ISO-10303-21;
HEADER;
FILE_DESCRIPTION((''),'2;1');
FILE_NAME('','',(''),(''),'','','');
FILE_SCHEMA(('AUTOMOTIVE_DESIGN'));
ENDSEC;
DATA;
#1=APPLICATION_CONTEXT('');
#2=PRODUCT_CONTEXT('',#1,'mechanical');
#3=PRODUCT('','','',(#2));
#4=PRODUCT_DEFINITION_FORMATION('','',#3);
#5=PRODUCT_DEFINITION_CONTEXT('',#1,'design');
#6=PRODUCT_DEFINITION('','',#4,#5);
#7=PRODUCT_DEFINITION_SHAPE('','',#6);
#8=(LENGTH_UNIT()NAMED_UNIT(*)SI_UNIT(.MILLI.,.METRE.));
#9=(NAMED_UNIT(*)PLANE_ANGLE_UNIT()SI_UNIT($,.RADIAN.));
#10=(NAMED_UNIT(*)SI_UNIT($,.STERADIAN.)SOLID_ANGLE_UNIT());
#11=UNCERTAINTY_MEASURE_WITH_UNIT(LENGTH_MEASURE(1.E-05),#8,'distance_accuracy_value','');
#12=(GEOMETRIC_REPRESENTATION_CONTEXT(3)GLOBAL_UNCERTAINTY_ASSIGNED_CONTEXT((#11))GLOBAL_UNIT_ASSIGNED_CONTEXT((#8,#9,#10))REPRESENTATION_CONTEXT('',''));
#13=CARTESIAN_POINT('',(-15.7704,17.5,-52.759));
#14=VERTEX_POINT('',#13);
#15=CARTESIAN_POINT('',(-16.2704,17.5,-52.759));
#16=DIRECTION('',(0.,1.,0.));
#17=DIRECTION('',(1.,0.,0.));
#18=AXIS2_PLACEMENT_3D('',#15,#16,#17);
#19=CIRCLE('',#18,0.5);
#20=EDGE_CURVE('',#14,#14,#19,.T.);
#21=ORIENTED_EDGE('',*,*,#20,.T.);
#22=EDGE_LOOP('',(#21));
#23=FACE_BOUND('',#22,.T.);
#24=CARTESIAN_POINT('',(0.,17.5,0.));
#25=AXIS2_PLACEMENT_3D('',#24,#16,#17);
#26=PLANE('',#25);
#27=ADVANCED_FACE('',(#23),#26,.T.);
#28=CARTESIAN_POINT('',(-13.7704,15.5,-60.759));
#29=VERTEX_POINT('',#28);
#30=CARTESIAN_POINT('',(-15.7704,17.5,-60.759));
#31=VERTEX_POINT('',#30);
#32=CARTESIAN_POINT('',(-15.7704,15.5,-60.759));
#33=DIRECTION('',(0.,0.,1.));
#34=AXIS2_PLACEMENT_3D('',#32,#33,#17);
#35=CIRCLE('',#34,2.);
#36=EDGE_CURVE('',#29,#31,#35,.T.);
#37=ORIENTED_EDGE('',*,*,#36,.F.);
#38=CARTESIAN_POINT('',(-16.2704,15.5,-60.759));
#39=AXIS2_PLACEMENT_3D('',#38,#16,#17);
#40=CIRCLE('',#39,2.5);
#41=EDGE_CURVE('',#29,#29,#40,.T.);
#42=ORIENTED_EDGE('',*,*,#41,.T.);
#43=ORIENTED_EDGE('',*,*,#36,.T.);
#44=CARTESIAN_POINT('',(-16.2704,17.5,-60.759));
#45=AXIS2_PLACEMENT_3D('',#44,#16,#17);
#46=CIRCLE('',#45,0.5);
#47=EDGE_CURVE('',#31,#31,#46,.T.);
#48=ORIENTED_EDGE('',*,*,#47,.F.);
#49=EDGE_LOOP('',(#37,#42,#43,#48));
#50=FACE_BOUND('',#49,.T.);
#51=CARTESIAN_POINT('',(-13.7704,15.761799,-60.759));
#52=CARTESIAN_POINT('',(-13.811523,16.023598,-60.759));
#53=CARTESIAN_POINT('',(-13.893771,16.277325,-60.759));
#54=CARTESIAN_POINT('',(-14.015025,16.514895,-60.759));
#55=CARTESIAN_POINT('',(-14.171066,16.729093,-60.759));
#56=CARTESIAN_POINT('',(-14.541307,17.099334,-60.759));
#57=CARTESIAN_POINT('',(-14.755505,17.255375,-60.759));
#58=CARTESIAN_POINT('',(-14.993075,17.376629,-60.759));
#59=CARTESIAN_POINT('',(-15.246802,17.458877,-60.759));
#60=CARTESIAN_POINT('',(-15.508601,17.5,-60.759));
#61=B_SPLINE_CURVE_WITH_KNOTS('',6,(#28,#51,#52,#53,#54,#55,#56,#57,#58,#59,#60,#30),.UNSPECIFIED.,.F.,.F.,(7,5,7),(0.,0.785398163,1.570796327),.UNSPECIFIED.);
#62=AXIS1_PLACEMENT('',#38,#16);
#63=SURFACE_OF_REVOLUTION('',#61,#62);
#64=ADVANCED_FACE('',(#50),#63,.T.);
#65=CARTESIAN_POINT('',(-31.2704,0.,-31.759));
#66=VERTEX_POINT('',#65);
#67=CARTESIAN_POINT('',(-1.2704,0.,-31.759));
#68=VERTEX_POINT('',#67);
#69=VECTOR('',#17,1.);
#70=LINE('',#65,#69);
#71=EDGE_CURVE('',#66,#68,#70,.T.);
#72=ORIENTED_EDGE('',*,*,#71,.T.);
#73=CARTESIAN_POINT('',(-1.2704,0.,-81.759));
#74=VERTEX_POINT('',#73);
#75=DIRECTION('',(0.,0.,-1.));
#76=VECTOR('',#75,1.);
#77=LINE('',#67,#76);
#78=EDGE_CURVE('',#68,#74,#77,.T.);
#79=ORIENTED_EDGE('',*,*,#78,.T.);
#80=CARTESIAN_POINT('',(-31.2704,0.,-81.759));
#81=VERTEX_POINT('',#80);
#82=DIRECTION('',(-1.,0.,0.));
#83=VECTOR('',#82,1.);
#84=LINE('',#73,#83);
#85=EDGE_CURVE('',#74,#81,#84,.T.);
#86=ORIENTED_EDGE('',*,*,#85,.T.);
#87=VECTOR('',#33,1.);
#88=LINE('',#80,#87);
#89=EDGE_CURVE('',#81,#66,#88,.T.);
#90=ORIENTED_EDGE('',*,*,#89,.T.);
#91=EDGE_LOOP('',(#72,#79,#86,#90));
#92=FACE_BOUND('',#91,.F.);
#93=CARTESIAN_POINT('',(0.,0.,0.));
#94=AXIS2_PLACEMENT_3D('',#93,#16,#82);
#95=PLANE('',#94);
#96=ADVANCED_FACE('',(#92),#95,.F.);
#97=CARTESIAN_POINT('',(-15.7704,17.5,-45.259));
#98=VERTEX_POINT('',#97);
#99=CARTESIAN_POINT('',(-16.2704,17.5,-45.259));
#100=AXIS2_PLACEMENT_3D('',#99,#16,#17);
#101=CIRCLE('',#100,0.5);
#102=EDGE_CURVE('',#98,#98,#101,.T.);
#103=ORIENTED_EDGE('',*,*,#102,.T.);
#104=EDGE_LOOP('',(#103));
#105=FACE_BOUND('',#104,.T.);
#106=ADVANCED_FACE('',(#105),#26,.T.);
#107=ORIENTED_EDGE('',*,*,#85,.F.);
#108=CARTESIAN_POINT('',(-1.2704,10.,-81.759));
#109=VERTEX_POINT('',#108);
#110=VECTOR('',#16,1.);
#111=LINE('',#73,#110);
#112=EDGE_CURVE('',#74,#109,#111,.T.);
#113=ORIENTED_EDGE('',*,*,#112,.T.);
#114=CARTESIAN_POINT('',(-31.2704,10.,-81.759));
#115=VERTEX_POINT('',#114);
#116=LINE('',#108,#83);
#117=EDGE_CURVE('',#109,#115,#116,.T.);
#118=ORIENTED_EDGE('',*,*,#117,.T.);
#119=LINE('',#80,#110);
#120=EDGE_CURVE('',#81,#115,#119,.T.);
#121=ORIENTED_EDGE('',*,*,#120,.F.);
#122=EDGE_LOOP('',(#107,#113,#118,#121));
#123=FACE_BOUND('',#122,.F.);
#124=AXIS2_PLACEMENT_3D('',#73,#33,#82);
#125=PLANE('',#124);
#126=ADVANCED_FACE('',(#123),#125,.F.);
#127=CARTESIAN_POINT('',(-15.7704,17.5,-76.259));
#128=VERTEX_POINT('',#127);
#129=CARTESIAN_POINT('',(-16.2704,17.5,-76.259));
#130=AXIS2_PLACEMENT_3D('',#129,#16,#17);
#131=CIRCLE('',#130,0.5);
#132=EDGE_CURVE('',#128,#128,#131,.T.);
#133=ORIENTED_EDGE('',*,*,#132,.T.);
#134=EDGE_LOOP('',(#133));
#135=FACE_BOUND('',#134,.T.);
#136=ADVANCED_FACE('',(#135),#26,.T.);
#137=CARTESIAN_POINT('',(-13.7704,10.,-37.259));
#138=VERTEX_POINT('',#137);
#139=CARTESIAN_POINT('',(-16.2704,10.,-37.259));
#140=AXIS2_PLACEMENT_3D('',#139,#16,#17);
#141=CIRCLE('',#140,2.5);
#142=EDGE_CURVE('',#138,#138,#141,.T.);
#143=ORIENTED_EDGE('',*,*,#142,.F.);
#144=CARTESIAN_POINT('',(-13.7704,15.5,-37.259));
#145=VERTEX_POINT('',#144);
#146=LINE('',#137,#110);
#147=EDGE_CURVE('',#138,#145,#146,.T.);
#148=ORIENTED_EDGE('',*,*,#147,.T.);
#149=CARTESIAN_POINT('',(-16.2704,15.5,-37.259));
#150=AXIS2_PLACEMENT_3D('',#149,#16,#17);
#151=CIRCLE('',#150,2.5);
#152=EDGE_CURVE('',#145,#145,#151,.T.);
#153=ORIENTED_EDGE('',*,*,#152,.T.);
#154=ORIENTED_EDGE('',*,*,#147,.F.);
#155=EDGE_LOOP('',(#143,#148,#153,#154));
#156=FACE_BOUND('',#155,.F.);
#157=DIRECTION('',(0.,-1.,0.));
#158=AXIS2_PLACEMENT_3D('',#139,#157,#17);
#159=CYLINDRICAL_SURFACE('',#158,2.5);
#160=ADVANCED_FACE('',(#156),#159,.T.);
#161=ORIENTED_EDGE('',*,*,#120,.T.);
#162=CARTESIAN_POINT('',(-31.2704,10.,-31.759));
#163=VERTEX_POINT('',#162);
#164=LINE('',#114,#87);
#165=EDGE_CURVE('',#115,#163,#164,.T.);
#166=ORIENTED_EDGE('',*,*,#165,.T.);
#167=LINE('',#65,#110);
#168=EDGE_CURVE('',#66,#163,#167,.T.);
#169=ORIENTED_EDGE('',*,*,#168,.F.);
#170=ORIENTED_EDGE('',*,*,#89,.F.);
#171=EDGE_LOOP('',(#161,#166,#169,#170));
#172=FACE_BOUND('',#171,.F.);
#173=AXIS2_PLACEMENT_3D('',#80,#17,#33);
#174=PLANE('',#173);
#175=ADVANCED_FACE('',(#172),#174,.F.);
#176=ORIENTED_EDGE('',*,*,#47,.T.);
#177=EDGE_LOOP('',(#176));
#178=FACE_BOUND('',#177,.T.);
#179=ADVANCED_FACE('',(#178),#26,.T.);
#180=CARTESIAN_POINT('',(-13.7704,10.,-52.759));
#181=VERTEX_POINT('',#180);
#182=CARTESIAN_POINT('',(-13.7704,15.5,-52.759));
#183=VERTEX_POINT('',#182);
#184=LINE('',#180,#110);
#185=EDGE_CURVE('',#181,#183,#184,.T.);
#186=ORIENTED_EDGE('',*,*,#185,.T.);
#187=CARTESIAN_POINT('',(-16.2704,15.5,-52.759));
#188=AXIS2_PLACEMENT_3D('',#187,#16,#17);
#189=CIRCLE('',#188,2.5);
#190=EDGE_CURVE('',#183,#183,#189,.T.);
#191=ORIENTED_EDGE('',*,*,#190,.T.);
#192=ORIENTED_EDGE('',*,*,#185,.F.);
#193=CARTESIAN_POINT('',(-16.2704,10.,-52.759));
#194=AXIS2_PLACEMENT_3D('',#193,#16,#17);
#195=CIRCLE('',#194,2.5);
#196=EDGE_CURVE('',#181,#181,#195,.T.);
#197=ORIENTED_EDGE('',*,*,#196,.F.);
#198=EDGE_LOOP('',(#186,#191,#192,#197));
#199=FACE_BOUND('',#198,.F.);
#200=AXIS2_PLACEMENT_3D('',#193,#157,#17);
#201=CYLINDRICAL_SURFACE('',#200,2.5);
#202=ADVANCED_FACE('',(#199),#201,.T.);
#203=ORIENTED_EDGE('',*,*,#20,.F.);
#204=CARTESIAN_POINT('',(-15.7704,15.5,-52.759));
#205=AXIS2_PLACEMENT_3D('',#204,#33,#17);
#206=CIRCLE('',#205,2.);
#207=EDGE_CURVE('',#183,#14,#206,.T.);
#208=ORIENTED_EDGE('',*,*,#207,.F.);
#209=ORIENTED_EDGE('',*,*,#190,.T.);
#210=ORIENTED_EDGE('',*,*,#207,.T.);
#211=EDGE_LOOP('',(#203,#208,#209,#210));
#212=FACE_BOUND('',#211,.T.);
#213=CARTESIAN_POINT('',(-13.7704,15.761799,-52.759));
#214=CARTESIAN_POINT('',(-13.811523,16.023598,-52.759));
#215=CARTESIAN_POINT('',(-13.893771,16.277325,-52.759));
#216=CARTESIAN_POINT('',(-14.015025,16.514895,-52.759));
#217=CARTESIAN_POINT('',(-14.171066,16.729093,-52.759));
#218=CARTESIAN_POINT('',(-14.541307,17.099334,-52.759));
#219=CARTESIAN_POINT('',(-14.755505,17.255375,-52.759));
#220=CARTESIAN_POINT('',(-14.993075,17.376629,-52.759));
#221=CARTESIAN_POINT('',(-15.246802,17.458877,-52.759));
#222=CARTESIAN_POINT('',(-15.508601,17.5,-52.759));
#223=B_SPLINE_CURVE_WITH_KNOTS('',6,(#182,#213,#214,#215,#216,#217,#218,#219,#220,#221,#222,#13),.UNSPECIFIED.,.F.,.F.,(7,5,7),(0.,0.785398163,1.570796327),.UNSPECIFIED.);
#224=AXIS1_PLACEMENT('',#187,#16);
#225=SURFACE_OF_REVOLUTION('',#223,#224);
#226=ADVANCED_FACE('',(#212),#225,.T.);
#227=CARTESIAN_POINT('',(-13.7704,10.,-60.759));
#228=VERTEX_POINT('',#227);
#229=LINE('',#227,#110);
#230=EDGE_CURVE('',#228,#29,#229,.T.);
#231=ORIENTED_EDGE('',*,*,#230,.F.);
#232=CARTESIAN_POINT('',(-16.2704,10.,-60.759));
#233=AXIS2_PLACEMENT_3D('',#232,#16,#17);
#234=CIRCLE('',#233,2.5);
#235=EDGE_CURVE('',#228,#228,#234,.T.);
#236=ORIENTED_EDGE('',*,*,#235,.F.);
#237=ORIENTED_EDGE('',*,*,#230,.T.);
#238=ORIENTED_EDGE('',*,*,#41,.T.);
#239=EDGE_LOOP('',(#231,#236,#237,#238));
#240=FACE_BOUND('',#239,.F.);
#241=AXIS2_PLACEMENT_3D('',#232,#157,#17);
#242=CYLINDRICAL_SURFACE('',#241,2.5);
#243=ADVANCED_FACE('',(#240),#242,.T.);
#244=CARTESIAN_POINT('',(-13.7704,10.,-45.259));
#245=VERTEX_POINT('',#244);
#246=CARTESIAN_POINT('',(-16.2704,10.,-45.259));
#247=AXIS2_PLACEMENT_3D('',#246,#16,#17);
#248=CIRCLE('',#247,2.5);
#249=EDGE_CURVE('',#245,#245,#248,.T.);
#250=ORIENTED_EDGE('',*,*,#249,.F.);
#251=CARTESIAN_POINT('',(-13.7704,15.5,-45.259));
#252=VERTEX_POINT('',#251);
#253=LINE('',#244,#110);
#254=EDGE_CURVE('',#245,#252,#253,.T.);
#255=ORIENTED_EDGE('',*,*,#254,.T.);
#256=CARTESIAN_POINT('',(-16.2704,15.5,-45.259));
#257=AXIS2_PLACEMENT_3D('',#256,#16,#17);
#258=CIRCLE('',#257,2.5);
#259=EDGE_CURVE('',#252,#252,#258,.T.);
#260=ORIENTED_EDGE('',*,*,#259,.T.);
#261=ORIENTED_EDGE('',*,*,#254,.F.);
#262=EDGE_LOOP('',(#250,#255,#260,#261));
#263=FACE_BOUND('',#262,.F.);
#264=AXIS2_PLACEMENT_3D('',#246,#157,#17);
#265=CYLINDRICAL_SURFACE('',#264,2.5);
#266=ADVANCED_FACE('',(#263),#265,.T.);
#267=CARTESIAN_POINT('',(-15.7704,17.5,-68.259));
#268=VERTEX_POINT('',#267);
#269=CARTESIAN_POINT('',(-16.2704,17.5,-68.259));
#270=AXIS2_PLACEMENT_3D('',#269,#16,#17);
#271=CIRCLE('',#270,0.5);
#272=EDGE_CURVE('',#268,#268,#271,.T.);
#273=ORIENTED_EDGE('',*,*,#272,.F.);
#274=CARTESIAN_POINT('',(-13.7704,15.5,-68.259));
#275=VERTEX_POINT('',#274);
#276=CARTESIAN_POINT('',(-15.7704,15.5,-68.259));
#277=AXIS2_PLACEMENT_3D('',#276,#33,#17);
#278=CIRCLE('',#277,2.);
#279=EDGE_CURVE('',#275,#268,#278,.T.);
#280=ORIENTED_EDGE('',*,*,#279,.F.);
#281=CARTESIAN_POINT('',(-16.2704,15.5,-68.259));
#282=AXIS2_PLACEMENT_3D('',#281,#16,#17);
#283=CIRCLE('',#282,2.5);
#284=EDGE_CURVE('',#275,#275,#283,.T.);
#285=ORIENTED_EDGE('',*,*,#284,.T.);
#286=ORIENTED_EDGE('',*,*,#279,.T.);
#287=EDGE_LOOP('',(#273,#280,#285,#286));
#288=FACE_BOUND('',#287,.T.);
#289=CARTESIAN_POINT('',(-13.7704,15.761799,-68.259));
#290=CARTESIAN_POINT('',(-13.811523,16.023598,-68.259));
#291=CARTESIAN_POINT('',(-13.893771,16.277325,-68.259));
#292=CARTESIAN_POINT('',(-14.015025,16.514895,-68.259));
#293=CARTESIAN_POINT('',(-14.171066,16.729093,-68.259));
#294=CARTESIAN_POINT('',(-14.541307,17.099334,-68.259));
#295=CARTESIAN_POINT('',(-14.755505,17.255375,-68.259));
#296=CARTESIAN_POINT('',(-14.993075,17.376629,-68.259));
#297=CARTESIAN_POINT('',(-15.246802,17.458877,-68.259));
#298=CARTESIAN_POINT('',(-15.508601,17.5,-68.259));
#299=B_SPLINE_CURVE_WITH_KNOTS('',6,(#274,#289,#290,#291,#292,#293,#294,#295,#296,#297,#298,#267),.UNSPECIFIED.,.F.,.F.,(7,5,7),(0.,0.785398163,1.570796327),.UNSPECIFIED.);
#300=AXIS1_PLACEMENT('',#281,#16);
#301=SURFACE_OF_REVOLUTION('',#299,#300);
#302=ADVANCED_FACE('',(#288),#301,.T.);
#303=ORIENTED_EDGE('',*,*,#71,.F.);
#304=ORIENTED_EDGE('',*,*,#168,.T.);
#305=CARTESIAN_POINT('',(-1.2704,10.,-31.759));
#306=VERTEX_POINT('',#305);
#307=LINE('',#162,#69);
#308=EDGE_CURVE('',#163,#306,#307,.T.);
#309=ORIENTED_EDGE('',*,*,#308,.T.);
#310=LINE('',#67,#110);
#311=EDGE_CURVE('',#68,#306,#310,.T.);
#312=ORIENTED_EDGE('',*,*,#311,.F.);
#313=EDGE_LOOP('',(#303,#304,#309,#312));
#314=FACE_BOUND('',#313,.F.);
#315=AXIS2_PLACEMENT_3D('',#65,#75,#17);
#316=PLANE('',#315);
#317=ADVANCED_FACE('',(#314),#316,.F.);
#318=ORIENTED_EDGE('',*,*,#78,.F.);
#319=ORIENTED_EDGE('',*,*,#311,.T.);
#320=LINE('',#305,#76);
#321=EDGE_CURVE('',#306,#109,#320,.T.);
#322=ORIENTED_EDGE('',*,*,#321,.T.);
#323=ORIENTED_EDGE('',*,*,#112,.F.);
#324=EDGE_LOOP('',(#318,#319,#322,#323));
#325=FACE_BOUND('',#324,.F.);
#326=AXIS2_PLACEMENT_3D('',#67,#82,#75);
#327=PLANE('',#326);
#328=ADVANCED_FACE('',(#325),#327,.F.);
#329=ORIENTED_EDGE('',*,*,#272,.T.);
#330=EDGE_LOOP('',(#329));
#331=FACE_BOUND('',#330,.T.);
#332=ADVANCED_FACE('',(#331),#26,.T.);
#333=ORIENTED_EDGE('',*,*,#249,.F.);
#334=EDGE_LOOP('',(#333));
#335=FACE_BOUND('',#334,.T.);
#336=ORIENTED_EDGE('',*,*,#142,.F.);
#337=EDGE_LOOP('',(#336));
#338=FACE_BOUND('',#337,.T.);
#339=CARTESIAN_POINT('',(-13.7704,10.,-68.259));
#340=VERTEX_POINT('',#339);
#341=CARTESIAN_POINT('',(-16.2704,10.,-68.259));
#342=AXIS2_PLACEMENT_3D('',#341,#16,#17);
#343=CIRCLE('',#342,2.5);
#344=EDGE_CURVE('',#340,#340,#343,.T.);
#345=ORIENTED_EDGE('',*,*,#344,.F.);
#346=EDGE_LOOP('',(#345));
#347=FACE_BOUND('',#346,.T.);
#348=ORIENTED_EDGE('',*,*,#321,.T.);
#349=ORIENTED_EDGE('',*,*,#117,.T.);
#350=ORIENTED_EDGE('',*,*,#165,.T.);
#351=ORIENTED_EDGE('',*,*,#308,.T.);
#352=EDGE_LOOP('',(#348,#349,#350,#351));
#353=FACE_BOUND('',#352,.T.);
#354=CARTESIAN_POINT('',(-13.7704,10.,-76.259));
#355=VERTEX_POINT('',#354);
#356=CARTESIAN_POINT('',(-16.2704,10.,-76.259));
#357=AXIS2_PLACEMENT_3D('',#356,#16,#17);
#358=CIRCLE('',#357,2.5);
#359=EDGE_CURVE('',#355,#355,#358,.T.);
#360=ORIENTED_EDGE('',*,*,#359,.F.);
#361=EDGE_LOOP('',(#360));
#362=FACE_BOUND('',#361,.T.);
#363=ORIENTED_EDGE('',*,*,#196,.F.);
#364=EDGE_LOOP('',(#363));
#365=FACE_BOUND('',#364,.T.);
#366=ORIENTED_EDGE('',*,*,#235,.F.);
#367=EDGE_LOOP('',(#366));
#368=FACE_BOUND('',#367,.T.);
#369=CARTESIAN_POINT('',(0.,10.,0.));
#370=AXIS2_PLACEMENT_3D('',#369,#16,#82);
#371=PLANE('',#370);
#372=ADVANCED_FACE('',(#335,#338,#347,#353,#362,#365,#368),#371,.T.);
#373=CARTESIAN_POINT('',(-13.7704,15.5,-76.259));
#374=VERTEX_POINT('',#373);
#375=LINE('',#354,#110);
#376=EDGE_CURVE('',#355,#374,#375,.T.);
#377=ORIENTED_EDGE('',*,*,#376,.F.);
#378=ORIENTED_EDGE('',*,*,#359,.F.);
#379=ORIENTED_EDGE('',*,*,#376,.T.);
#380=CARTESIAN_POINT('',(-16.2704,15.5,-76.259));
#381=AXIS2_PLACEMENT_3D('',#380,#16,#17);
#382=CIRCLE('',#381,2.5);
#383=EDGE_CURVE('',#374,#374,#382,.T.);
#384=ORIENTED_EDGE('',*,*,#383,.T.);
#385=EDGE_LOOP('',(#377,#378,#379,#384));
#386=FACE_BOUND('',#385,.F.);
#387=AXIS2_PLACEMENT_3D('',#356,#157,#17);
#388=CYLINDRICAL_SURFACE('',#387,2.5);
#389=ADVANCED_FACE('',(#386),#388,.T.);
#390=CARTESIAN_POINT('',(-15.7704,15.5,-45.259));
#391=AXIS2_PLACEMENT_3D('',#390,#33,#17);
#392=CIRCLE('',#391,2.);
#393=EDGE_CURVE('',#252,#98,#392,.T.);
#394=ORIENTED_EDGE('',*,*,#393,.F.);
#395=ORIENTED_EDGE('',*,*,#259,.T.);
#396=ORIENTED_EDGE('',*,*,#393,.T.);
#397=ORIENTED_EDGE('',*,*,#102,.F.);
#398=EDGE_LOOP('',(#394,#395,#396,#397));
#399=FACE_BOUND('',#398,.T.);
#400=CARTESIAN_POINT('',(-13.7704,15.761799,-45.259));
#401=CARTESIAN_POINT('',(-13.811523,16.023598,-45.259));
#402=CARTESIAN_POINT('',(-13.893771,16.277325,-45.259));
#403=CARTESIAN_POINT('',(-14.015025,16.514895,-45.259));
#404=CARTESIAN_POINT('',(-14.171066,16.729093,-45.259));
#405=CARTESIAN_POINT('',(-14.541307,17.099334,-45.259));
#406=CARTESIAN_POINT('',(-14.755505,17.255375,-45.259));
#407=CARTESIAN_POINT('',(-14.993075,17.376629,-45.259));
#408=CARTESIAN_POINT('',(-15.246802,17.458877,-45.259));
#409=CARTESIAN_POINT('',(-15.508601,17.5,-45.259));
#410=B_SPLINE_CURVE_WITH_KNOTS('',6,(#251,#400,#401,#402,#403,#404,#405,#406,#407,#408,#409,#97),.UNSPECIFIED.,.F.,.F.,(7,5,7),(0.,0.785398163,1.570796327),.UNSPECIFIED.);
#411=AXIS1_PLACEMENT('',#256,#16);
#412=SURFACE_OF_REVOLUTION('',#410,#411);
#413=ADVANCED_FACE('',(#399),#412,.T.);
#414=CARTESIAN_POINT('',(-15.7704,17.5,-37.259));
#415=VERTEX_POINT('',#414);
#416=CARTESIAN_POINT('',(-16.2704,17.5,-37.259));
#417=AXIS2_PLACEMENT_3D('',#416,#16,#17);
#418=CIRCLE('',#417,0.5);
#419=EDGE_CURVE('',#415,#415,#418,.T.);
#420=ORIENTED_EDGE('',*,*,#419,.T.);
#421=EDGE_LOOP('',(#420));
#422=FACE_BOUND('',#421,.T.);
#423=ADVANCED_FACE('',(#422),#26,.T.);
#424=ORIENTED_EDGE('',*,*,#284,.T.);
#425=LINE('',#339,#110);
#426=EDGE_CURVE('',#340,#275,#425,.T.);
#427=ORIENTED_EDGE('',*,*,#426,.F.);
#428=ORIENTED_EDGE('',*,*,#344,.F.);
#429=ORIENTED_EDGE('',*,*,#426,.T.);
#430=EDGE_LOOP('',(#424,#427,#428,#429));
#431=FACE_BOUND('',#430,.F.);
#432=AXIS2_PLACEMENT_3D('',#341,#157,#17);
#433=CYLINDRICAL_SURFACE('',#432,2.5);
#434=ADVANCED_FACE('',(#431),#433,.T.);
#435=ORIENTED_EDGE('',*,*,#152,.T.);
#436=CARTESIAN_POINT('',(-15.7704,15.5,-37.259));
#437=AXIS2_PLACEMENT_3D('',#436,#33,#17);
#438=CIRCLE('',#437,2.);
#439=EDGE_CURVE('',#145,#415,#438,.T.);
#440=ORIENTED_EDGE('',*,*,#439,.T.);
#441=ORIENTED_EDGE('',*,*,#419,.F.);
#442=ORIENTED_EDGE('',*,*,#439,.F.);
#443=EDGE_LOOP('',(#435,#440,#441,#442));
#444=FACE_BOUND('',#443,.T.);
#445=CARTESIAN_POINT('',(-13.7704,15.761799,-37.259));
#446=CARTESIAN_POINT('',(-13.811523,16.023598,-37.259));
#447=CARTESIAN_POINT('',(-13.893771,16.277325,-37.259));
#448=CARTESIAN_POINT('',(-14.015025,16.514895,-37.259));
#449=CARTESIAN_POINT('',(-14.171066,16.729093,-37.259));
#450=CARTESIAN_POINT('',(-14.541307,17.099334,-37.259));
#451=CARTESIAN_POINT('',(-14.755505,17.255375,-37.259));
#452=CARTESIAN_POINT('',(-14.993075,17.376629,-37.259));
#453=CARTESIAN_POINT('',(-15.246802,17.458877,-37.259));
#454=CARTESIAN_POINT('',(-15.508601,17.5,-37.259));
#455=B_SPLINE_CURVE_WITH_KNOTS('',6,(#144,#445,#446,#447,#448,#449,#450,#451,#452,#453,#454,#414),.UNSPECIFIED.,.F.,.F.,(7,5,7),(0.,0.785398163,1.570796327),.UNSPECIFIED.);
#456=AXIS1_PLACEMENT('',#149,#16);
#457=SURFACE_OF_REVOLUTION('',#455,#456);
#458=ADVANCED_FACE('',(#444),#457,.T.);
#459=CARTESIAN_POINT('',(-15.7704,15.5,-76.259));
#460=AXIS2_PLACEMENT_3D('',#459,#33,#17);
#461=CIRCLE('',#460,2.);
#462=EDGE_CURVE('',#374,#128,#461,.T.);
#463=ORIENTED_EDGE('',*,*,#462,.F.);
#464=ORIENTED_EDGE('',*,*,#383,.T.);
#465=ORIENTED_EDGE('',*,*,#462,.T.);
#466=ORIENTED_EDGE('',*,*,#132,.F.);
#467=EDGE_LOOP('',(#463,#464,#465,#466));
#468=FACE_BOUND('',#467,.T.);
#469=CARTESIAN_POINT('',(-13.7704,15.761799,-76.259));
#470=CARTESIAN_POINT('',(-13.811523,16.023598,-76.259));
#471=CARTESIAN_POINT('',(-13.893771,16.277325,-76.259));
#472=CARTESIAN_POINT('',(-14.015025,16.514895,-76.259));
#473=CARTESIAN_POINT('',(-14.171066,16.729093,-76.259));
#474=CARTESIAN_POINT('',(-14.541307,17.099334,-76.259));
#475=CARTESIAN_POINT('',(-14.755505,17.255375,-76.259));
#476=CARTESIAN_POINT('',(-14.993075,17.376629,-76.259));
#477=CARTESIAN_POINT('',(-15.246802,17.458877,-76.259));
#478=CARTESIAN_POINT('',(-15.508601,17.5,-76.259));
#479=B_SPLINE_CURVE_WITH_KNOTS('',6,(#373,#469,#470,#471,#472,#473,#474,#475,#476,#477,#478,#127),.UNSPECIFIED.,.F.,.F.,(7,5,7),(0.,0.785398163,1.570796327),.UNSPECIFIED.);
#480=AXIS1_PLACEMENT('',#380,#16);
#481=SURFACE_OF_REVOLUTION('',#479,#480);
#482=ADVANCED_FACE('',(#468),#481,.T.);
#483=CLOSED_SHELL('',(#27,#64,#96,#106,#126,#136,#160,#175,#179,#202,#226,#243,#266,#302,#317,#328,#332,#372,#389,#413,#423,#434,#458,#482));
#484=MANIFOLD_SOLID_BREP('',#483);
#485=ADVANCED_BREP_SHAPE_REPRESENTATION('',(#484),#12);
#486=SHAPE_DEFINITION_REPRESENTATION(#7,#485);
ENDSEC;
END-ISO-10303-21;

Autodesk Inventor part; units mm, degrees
ref_plane "YZ Plane" through (0, 0, 0) normal (1, 0, 0) x (0, 1, 0)
ref_plane "XZ Plane" through (0, 0, 0) normal (0, 1, 0) x (-1, 0, 0)
ref_plane "XY Plane" through (0, 0, 0) normal (0, 0, 1) x (1, 0, 0)
sketch "Skizze1" plane through (0, 0, 0) normal (0, 1, 0) x (-1, 0, 0)
  line L0 (31.2704, -31.759) -> (1.2704, -31.759)
  line L1 (1.2704, -31.759) -> (1.2704, -81.759)
  line L2 (1.2704, -81.759) -> (31.2704, -81.759)
  line L3 (31.2704, -81.759) -> (31.2704, -31.759)
  point P0 (0, 0)
  dimension "d0" = 50
  dimension "d1" = 30
extrude "Extrusion1" add sketch "Skizze1" along normal blind 10
sketch "Skizze2" plane through (0, 10, 0) normal (0, 1, 0) x (1, 0, 0)
  circle A0 centre (-16.2704, 37.259) radius 2.5
  circle A1 centre (-16.2704, 60.759) radius 2.5
  circle A2 centre (-16.2704, 76.259) radius 2.5
  circle A3 centre (-16.2704, 45.259) radius 2.5
  circle A4 centre (-16.2704, 52.759) radius 2.5
  circle A5 centre (-16.2704, 68.259) radius 2.5
  line L0 (-31.2704, 81.759) -> (-31.2704, 31.759) projected
  line L1 (-31.2704, 31.759) -> (-1.2704, 31.759) projected
  line L2 (-1.2704, 81.759) -> (-31.2704, 81.759) projected
  point P0 (0, 0)
  dimension "d4" = 5
  dimension "d5" = 5
  dimension "d6" = 5
  dimension "d7" = 5
  dimension "d10" = 5
  dimension "d11" = 5
  dimension "d12" = 15
  dimension "d13" = 15
  dimension "d14" = 15
  dimension "d15" = 15
  dimension "d16" = 15
  dimension "d17" = 15
  dimension "d18" = 8
  dimension "d19" = 8
  dimension "d20" = 8
  dimension "d22" = 5.5
  dimension "d23" = 5.5
  dimension "d24" = 21
extrude "Extrusion2" add sketch "Skizze2" along normal blind 7.5
fillet "Rundung1" radius 2 6 edges at (-18.7704, 17.5, -37.259) (-18.7704, 17.5, -45.259) (-18.7704, 17.5, -52.759) (-18.7704, 17.5, -60.759) (-18.7704, 17.5, -68.259) (-18.7704, 17.5, -76.259)
properties part number "Linien-Sensor" material "Nylon 6/6"
